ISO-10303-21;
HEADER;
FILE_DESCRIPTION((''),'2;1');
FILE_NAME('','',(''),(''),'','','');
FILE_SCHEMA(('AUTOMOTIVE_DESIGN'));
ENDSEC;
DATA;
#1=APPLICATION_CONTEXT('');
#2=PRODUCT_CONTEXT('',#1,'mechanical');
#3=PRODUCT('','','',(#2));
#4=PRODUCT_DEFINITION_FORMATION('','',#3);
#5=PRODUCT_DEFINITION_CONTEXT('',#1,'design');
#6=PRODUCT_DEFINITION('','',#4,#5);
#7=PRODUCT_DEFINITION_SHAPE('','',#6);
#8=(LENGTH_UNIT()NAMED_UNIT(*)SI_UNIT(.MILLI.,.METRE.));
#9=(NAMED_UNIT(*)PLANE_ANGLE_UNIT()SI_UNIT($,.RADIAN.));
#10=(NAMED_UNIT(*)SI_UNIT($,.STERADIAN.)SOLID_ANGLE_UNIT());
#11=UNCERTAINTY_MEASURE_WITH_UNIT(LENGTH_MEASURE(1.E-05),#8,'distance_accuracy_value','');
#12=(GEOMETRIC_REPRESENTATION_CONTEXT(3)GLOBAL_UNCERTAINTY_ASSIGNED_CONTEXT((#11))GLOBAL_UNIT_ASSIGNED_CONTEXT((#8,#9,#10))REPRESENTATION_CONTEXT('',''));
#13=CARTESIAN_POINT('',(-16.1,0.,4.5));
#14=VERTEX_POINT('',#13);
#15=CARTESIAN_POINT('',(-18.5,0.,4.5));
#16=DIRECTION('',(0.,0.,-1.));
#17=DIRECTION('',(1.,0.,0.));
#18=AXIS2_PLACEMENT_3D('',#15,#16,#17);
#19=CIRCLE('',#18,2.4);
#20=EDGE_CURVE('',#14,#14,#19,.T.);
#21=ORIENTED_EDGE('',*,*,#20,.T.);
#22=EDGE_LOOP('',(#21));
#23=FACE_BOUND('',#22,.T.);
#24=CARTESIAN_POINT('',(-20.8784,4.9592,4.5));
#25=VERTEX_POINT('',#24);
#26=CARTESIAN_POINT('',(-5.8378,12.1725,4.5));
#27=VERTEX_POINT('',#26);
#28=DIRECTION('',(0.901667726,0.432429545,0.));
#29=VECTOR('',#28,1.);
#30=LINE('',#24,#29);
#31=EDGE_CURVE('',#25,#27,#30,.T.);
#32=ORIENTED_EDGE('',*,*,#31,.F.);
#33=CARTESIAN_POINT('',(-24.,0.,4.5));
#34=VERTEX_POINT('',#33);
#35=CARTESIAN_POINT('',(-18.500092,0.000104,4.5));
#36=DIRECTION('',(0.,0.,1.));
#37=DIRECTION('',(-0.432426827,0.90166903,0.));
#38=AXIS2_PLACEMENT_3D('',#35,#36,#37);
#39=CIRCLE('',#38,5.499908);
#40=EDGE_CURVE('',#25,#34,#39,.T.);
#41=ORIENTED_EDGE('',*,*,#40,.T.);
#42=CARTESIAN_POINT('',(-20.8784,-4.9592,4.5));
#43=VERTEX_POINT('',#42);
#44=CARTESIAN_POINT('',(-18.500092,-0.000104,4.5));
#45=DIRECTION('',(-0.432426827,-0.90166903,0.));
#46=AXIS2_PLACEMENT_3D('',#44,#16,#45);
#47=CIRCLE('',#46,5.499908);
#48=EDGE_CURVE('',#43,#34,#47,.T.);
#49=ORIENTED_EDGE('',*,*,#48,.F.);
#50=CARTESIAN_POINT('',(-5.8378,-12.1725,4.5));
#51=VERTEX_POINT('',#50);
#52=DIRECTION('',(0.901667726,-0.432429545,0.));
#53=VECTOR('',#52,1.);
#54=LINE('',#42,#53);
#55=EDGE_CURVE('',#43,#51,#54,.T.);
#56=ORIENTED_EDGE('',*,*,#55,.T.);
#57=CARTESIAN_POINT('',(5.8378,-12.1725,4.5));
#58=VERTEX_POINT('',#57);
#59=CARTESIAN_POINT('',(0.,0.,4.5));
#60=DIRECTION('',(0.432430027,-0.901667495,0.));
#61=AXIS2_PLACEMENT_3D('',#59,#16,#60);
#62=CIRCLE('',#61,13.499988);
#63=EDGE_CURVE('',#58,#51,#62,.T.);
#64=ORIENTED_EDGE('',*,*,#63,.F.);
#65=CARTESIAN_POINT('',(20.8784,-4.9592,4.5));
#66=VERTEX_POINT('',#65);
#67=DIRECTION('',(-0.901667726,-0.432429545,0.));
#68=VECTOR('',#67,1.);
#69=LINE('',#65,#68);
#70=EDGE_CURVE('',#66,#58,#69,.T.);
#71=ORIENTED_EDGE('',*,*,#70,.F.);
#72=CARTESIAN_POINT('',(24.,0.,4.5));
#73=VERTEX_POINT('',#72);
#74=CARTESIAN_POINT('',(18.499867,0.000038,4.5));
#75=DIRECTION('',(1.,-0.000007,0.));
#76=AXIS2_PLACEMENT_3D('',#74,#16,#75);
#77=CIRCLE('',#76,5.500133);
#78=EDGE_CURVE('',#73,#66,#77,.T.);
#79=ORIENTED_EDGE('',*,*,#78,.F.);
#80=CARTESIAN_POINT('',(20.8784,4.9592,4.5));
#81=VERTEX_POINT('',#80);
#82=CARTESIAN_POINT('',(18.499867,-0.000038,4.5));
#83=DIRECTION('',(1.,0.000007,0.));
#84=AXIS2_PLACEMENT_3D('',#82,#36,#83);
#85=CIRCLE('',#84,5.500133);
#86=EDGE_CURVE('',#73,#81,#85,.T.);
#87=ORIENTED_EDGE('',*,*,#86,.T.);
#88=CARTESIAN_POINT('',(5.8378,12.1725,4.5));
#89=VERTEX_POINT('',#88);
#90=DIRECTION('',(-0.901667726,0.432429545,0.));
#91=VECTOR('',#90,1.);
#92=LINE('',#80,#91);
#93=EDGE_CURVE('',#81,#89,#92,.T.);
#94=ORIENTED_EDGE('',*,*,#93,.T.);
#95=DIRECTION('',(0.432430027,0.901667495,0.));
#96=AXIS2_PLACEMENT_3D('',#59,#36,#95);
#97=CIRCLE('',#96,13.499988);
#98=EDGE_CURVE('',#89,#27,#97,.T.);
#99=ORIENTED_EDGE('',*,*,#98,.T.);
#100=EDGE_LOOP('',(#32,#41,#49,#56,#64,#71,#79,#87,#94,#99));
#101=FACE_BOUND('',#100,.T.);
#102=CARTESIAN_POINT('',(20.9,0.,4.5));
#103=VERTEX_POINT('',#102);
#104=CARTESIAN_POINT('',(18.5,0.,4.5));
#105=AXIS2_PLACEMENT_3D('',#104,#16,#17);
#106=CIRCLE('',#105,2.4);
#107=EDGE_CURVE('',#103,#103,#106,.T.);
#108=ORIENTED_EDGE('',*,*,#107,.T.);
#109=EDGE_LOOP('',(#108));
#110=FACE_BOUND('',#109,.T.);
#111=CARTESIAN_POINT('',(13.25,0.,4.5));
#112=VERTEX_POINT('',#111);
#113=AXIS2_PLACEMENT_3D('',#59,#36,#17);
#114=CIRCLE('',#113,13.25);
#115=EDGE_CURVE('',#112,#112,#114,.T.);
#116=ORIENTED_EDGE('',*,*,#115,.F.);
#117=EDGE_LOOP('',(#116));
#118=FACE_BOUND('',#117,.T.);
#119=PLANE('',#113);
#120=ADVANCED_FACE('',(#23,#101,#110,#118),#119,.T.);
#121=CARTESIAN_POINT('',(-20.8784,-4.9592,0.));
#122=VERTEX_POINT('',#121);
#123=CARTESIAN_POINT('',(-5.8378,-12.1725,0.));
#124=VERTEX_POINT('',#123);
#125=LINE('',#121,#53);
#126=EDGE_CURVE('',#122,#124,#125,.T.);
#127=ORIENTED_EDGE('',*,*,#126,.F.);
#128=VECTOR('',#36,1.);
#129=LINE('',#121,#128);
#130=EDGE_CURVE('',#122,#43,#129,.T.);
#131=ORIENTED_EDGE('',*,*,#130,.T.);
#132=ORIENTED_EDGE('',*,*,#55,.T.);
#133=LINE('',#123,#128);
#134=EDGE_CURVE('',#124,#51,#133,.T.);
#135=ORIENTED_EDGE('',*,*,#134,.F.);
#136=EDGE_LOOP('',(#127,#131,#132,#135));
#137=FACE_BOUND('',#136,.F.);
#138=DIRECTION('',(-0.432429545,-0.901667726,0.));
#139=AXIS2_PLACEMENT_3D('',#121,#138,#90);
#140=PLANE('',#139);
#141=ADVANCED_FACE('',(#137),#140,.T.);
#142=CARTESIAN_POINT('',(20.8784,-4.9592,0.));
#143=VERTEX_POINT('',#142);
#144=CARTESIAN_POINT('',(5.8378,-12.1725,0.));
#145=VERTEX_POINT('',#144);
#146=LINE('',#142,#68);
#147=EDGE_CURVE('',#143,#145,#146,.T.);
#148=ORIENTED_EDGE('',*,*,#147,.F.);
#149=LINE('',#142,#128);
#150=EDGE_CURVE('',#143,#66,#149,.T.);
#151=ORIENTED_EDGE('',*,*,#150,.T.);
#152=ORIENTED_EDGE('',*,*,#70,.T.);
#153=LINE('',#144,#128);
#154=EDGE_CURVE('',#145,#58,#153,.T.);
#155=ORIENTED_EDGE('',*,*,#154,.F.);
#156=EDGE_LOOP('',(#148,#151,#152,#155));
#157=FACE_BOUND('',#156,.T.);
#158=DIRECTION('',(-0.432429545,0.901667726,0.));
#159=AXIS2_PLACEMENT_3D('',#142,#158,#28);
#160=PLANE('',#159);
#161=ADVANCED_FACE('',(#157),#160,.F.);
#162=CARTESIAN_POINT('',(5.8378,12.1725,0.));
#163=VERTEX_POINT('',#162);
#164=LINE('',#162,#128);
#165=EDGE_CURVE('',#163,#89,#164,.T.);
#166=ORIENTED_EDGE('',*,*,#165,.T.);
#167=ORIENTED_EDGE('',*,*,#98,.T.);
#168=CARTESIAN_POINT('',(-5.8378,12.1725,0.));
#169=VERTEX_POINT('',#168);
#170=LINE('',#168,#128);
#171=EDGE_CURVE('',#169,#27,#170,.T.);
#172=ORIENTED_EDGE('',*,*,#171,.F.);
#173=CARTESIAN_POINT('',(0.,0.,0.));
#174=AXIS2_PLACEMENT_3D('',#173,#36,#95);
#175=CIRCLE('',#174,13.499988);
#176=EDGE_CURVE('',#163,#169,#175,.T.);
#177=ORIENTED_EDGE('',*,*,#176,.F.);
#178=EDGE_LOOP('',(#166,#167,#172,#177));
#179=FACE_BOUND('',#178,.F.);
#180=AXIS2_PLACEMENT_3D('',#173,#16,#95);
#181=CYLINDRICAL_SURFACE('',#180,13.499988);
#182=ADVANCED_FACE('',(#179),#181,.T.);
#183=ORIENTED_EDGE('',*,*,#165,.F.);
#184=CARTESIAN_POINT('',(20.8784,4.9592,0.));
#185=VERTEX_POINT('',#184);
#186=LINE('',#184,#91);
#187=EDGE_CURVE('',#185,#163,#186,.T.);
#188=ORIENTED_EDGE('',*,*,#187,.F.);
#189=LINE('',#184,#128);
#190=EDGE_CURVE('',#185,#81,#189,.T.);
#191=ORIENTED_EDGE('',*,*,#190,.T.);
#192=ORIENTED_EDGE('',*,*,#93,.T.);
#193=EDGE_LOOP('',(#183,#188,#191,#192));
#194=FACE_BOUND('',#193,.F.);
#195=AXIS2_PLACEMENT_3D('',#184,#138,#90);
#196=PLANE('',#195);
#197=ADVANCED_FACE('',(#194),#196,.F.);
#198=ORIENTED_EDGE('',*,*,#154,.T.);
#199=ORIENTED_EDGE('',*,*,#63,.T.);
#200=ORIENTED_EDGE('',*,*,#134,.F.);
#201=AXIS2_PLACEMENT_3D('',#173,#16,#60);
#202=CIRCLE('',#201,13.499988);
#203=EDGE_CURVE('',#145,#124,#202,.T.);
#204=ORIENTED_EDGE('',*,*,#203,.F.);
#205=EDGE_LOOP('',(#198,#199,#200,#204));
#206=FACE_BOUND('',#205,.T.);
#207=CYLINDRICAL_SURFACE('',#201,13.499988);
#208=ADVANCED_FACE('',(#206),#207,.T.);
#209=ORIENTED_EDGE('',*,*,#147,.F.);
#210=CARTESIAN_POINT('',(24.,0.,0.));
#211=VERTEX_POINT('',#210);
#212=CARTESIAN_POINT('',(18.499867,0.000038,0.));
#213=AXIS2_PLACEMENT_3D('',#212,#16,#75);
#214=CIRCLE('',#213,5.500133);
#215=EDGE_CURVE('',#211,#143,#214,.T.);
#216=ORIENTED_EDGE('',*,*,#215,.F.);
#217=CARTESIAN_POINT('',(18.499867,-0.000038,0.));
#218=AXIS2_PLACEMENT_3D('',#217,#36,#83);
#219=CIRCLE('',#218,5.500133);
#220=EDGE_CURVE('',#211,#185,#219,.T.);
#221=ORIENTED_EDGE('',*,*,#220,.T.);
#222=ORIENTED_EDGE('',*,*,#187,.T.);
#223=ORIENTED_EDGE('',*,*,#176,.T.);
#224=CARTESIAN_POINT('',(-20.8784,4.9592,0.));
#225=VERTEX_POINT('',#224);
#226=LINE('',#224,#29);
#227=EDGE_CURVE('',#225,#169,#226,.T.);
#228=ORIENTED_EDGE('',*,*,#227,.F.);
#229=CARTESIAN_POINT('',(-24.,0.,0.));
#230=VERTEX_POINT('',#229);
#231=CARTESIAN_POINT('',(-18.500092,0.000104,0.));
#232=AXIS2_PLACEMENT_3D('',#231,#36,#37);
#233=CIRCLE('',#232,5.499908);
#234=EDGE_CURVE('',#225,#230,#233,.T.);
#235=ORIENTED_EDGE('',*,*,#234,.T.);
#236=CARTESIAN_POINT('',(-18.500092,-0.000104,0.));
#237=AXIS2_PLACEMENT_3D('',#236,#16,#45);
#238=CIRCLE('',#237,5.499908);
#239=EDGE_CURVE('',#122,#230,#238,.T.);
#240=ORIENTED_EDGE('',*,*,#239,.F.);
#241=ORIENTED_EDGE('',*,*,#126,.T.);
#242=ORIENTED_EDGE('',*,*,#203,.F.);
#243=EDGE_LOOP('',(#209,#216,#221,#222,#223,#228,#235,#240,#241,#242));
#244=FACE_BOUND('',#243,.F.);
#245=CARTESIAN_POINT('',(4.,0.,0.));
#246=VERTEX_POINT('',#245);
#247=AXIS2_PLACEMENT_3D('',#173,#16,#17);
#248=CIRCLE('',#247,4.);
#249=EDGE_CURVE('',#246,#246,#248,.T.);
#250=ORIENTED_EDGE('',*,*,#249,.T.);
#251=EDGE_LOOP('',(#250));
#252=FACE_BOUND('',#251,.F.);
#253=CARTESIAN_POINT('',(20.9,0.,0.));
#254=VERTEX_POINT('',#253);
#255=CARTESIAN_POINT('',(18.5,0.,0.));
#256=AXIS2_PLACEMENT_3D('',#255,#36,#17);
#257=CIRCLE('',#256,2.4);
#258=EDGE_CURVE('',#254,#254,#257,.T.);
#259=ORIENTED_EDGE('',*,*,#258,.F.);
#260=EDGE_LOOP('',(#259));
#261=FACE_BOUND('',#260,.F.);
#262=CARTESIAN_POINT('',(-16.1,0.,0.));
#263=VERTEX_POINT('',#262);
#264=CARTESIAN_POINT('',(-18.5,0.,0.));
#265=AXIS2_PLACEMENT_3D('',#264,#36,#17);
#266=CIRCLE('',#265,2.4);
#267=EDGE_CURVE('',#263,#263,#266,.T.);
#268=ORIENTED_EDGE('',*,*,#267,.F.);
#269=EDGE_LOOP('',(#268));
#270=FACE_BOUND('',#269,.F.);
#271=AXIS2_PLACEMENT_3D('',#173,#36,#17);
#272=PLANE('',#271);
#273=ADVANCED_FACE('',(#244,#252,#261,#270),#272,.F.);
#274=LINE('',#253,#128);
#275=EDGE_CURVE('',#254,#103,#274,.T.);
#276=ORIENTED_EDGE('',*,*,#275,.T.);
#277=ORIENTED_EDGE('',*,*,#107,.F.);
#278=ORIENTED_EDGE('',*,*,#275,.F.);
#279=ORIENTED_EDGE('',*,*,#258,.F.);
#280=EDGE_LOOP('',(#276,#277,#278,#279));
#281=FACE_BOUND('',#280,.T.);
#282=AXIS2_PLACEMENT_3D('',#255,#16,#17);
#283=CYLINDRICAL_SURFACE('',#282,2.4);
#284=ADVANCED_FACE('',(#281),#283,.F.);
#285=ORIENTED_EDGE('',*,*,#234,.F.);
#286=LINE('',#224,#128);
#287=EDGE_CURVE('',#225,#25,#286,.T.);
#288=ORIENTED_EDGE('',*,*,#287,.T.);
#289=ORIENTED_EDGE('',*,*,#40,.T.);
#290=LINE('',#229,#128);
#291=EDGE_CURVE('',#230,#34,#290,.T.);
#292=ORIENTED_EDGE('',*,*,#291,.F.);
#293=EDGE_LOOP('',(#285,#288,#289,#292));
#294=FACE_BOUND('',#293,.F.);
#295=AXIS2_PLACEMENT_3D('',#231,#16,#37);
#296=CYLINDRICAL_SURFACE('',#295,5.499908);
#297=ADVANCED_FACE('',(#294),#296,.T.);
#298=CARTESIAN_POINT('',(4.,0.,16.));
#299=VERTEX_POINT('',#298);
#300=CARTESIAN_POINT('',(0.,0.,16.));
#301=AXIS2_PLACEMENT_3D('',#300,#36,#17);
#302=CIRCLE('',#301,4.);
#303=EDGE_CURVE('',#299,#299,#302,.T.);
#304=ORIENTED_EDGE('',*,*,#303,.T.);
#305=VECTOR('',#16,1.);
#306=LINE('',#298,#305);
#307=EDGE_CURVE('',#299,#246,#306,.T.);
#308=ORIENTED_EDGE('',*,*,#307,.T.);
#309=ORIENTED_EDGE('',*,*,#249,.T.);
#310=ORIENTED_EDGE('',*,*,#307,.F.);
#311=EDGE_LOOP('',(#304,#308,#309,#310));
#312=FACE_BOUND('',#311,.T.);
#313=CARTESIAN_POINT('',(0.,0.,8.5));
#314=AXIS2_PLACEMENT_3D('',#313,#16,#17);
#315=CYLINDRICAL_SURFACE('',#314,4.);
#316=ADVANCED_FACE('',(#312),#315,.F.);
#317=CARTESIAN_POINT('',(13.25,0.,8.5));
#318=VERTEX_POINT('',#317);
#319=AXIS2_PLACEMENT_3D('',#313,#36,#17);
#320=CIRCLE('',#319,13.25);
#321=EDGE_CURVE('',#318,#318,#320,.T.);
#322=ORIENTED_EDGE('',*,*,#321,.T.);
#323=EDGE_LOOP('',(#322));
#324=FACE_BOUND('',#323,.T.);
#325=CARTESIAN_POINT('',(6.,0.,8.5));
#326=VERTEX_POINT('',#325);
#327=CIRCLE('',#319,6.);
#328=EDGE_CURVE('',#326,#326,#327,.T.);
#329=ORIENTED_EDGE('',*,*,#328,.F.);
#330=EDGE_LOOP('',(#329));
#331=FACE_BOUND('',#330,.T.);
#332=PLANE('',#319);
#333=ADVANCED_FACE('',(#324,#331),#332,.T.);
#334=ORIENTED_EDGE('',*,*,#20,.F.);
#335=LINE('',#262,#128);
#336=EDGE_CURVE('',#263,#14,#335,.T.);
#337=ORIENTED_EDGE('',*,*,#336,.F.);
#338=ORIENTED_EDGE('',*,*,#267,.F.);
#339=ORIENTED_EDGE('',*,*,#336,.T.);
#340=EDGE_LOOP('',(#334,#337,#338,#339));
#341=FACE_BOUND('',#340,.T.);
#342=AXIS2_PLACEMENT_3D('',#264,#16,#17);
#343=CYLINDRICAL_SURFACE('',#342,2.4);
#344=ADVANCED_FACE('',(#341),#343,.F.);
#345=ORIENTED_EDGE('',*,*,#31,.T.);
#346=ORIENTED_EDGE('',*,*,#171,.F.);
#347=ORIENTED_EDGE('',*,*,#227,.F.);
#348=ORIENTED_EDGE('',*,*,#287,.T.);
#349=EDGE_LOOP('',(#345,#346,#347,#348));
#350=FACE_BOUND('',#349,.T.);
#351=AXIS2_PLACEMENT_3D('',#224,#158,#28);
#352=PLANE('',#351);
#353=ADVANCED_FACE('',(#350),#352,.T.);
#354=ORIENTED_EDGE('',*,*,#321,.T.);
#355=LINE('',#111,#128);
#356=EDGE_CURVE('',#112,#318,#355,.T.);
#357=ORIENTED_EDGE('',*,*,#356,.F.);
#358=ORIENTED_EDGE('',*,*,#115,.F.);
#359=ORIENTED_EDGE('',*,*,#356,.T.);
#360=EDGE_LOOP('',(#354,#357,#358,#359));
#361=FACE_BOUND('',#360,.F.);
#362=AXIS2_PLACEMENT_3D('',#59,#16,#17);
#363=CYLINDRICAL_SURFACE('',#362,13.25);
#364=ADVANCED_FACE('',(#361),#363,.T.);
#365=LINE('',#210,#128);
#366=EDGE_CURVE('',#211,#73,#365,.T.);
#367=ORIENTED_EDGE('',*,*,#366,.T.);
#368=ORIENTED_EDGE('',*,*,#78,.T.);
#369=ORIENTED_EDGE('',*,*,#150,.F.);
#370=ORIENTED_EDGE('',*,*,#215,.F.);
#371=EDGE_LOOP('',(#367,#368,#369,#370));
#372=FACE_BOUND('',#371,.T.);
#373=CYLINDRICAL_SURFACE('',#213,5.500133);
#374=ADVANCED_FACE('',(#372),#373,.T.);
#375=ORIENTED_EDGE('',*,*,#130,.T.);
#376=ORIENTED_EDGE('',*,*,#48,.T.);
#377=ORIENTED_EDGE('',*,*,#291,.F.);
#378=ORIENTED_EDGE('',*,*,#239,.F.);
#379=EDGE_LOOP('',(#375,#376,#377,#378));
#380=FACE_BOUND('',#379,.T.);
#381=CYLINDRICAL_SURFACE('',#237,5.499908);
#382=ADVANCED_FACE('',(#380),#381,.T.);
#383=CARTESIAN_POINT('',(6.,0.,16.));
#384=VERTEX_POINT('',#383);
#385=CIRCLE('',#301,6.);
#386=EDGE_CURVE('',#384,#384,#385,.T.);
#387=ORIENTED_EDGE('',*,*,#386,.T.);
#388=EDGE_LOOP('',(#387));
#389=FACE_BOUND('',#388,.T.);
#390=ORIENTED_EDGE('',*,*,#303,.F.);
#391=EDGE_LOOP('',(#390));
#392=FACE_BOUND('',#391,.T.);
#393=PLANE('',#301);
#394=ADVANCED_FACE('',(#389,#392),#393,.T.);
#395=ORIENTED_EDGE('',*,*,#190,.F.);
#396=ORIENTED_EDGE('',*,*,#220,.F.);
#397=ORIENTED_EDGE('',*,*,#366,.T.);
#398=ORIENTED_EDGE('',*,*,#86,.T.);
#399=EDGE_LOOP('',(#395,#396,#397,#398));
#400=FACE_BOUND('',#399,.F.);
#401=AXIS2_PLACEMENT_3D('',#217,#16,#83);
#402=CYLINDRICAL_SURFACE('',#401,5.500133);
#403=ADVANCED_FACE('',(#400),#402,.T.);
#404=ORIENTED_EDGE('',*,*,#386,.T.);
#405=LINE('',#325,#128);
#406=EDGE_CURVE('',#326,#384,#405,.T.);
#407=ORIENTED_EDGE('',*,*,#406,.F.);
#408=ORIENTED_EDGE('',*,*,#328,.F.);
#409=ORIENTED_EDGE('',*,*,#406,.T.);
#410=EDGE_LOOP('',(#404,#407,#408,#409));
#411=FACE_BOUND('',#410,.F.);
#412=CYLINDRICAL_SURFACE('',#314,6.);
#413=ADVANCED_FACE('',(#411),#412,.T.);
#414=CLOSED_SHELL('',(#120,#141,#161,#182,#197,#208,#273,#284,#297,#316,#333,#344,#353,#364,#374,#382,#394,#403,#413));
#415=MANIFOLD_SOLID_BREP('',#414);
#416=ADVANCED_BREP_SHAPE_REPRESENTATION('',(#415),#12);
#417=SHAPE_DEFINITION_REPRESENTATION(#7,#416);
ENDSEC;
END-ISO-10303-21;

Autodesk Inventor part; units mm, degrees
ref_plane "YZ Plane" through (0, 0, 0) normal (1, 0, 0) x (0, 1, 0)
ref_plane "XZ Plane" through (0, 0, 0) normal (0, 1, 0) x (-1, 0, 0)
ref_plane "XY Plane" through (0, 0, 0) normal (0, 0, 1) x (1, 0, 0)
sketch "Эскиз1" plane through (0, 0, 0) normal (0, 0, 1) x (1, 0, 0)
  arc A0 (4, 0) -> (-4, 0) centre (0, 0) ccw
  arc A1 (-16.1, 0) -> (-20.9, 0) centre (-18.5, 0) ccw
  arc A2 (20.9, 0) -> (16.1, 0) centre (18.5, 0) ccw
  line L0 (-24, 0) -> (24, 0)
  line L1 (-20.8784, 4.9592) -> (-5.8378, 12.1725)
  line L2 (20.8784, 4.9592) -> (5.8378, 12.1725)
  arc A3 (-20.8784, 4.9592) -> (-24, 0) centre (-18.5, 0) ccw
  arc A4 (24, 0) -> (20.8784, 4.9592) centre (18.5, 0) ccw
  arc A5 (5.8378, 12.1725) -> (-5.8378, 12.1725) centre (0, 0) ccw
  dimension "d0" = 8
  dimension "d9" = 37
  dimension "d12" = 4.8
  dimension "d14" = 48
  dimension "d15" = 5.5
  dimension "d16" = 13.5
  dimension "d19" = 0
extrude "Выдавливание1" add sketch "Эскиз1" along normal blind 4.5 contours A0 L0 A1 A3 L1 A5 L2 A4 A2
mirror "Зеркальное отражение1" about plane through (-24, 0, 0) normal (0, -1, 0) of "Выдавливание1"
sketch "Эскиз2" plane through (0, 0, 4.5) normal (0, 0, 1) x (1, 0, 0)
  circle A0 centre (0, 0) radius 4
  circle A1 centre (0, 0) radius 13.25
  dimension "d23" = 8
  dimension "d24" = 26.5
extrude "Выдавливание2" add sketch "Эскиз2" along normal blind 4
sketch "Эскиз5" plane through (0, 0, 8.5) normal (0, 0, 1) x (1, 0, 0)
  circle A0 centre (0, 0) radius 6
  circle A1 centre (0, 0) radius 4
  dimension "d33" = 12
  dimension "d34" = 8
extrude "Выдавливание5" add sketch "Эскиз5" along normal blind 7.5
properties part number "KFL08"
